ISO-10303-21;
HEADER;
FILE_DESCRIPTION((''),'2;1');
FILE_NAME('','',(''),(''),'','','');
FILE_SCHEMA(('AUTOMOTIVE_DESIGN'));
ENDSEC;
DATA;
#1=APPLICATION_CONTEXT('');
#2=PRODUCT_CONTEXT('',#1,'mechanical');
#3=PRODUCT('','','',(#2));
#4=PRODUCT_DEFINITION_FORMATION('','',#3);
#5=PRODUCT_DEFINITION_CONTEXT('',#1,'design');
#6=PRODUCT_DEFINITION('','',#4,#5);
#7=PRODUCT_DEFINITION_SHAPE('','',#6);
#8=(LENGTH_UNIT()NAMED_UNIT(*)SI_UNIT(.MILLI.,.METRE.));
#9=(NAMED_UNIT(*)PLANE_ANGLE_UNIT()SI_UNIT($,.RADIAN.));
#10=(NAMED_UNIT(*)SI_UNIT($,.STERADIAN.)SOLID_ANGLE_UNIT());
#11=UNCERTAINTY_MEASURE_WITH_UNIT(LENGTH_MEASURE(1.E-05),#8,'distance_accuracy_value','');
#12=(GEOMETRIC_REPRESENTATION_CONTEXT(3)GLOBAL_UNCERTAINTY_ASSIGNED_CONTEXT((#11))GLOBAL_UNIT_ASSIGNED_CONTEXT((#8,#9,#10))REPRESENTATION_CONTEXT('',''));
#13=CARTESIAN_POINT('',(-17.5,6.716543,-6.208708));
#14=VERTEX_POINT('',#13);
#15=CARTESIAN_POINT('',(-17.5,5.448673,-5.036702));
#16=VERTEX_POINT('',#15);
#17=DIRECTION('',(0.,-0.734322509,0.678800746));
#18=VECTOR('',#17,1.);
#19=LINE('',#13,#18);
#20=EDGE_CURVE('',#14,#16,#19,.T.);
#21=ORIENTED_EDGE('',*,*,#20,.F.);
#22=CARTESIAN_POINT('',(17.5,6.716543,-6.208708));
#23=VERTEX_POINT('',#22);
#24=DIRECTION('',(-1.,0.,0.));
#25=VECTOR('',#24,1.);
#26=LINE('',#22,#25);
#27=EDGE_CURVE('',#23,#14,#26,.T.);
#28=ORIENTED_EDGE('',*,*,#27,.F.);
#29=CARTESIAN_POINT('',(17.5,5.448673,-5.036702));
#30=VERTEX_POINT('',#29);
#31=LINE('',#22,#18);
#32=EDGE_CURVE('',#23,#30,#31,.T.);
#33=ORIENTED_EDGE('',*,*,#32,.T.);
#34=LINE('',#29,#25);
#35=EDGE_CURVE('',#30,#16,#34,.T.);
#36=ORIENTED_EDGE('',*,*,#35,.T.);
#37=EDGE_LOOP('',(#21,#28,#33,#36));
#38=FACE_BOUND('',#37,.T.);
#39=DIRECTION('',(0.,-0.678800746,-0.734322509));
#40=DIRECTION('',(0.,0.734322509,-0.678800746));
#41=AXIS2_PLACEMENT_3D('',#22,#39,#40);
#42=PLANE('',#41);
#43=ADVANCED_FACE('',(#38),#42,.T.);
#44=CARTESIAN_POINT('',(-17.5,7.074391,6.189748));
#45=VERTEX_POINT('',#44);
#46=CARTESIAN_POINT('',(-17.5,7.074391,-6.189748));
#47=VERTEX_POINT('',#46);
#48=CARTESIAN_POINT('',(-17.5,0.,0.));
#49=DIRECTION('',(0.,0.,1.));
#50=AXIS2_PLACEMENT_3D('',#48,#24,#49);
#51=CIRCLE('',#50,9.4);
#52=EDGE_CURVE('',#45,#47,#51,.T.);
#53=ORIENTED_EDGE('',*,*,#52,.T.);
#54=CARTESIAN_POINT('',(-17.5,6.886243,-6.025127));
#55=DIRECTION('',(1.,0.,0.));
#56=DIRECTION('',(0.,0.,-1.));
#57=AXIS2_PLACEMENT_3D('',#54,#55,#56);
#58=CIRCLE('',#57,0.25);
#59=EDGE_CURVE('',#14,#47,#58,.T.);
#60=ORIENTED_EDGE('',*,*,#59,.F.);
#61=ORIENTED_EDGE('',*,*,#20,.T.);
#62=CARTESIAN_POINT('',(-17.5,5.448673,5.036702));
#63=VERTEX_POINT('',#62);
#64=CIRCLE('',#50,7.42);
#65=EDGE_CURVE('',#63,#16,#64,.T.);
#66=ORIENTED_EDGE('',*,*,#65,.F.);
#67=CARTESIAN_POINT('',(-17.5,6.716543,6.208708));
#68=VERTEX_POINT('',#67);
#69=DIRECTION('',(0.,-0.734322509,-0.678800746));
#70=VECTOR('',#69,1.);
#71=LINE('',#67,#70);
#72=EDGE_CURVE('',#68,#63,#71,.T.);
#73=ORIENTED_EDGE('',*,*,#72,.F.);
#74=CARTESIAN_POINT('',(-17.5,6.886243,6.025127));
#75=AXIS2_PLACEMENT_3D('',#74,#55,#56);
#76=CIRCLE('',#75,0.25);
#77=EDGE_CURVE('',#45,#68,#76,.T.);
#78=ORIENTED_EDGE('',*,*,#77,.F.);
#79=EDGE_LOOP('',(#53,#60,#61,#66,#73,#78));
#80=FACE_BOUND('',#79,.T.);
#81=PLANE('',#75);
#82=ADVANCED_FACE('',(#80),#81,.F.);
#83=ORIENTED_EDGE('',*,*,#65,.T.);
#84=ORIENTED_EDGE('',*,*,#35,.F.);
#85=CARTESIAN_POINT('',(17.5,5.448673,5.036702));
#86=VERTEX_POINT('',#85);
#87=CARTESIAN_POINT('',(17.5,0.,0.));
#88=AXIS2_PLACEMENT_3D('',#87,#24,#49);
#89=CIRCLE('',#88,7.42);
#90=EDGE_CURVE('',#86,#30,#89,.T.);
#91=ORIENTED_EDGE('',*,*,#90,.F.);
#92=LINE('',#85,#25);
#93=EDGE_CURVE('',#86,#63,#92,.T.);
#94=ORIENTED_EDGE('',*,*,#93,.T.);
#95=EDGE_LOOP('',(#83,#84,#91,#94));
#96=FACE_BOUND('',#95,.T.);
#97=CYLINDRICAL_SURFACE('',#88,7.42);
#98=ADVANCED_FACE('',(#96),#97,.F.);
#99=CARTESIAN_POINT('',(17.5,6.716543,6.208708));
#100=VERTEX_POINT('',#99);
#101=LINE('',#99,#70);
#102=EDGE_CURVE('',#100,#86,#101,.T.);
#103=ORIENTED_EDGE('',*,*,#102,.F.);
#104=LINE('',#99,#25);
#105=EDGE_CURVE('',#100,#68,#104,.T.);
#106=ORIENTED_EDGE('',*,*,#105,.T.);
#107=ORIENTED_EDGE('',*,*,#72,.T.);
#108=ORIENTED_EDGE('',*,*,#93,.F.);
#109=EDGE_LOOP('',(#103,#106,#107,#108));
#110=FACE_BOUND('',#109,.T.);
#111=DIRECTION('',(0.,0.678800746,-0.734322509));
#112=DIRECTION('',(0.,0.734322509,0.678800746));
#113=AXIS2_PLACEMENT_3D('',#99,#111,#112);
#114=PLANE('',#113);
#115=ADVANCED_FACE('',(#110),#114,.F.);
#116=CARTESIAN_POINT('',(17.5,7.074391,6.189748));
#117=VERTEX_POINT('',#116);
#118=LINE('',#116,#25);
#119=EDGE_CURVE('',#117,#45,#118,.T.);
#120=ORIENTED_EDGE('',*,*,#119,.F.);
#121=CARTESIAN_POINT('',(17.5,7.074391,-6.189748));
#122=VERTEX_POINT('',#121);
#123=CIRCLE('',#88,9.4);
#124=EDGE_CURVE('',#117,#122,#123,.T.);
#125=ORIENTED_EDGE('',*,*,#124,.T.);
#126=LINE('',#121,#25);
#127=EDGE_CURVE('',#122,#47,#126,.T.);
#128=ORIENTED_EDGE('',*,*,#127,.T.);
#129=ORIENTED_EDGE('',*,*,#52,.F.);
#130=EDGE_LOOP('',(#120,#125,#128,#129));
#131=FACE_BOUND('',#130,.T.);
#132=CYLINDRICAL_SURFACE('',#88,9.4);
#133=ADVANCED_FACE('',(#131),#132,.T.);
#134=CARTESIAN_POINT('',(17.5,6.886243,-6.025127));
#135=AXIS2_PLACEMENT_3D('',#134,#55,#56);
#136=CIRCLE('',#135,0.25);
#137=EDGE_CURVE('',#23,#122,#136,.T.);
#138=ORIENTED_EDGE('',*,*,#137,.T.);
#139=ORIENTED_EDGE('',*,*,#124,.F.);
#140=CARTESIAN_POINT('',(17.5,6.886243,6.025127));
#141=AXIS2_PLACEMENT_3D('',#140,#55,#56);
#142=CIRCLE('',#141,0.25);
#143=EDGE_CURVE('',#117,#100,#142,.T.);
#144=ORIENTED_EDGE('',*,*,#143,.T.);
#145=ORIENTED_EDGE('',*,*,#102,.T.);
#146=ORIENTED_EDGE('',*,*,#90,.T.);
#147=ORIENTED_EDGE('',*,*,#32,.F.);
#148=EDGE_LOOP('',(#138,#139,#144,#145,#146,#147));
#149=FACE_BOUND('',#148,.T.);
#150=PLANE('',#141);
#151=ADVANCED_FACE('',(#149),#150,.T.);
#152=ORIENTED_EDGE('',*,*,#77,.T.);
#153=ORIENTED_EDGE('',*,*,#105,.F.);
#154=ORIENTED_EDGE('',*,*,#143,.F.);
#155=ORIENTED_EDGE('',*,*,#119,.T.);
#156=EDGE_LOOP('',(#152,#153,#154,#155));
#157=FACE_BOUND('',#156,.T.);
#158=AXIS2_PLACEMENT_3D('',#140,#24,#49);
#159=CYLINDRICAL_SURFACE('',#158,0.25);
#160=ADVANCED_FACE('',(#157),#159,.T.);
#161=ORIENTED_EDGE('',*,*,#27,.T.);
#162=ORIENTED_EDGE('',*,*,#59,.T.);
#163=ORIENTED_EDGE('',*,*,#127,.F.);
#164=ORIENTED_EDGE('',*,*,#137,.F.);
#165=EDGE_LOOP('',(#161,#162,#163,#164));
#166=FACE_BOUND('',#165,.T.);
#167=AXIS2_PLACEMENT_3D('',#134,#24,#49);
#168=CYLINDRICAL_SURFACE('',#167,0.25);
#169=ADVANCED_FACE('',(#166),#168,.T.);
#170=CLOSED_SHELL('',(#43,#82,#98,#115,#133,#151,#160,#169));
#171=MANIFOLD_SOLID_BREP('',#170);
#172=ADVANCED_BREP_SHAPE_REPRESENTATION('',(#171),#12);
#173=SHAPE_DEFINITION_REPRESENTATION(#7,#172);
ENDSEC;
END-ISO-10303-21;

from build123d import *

# Parameters (mm, degrees)
BOSS_EXTRUDE1_DEPTH = 17.5


with BuildPart() as part:
    # Sketch1 → Boss-Extrude1 (new, symmetric)
    with BuildSketch(Plane(origin=(0, 0, 0), x_dir=(0, 0, -1), z_dir=(1, 0, 0))):
        with BuildLine():
            Line((-6.20870808, 6.716542561), (-5.036701532, 5.44867302))
            ThreePointArc((-5.036701532, 5.44867302), (0, 7.42), (5.036701532, 5.44867302))
            Line((5.036701532, 5.44867302), (6.20870808, 6.716542561))
            ThreePointArc((6.20870808, 6.716542561), (6.274777299, 6.899469771), (6.189748422, 7.074391456))
            ThreePointArc((6.189748422, 7.074391456), (0, 9.4), (-6.189748422, 7.074391456))
            ThreePointArc((-6.189748422, 7.074391456), (-6.274777299, 6.899469771), (-6.20870808, 6.716542561))
        make_face()
    extrude(amount=BOSS_EXTRUDE1_DEPTH, both=True)


solid = part.part
